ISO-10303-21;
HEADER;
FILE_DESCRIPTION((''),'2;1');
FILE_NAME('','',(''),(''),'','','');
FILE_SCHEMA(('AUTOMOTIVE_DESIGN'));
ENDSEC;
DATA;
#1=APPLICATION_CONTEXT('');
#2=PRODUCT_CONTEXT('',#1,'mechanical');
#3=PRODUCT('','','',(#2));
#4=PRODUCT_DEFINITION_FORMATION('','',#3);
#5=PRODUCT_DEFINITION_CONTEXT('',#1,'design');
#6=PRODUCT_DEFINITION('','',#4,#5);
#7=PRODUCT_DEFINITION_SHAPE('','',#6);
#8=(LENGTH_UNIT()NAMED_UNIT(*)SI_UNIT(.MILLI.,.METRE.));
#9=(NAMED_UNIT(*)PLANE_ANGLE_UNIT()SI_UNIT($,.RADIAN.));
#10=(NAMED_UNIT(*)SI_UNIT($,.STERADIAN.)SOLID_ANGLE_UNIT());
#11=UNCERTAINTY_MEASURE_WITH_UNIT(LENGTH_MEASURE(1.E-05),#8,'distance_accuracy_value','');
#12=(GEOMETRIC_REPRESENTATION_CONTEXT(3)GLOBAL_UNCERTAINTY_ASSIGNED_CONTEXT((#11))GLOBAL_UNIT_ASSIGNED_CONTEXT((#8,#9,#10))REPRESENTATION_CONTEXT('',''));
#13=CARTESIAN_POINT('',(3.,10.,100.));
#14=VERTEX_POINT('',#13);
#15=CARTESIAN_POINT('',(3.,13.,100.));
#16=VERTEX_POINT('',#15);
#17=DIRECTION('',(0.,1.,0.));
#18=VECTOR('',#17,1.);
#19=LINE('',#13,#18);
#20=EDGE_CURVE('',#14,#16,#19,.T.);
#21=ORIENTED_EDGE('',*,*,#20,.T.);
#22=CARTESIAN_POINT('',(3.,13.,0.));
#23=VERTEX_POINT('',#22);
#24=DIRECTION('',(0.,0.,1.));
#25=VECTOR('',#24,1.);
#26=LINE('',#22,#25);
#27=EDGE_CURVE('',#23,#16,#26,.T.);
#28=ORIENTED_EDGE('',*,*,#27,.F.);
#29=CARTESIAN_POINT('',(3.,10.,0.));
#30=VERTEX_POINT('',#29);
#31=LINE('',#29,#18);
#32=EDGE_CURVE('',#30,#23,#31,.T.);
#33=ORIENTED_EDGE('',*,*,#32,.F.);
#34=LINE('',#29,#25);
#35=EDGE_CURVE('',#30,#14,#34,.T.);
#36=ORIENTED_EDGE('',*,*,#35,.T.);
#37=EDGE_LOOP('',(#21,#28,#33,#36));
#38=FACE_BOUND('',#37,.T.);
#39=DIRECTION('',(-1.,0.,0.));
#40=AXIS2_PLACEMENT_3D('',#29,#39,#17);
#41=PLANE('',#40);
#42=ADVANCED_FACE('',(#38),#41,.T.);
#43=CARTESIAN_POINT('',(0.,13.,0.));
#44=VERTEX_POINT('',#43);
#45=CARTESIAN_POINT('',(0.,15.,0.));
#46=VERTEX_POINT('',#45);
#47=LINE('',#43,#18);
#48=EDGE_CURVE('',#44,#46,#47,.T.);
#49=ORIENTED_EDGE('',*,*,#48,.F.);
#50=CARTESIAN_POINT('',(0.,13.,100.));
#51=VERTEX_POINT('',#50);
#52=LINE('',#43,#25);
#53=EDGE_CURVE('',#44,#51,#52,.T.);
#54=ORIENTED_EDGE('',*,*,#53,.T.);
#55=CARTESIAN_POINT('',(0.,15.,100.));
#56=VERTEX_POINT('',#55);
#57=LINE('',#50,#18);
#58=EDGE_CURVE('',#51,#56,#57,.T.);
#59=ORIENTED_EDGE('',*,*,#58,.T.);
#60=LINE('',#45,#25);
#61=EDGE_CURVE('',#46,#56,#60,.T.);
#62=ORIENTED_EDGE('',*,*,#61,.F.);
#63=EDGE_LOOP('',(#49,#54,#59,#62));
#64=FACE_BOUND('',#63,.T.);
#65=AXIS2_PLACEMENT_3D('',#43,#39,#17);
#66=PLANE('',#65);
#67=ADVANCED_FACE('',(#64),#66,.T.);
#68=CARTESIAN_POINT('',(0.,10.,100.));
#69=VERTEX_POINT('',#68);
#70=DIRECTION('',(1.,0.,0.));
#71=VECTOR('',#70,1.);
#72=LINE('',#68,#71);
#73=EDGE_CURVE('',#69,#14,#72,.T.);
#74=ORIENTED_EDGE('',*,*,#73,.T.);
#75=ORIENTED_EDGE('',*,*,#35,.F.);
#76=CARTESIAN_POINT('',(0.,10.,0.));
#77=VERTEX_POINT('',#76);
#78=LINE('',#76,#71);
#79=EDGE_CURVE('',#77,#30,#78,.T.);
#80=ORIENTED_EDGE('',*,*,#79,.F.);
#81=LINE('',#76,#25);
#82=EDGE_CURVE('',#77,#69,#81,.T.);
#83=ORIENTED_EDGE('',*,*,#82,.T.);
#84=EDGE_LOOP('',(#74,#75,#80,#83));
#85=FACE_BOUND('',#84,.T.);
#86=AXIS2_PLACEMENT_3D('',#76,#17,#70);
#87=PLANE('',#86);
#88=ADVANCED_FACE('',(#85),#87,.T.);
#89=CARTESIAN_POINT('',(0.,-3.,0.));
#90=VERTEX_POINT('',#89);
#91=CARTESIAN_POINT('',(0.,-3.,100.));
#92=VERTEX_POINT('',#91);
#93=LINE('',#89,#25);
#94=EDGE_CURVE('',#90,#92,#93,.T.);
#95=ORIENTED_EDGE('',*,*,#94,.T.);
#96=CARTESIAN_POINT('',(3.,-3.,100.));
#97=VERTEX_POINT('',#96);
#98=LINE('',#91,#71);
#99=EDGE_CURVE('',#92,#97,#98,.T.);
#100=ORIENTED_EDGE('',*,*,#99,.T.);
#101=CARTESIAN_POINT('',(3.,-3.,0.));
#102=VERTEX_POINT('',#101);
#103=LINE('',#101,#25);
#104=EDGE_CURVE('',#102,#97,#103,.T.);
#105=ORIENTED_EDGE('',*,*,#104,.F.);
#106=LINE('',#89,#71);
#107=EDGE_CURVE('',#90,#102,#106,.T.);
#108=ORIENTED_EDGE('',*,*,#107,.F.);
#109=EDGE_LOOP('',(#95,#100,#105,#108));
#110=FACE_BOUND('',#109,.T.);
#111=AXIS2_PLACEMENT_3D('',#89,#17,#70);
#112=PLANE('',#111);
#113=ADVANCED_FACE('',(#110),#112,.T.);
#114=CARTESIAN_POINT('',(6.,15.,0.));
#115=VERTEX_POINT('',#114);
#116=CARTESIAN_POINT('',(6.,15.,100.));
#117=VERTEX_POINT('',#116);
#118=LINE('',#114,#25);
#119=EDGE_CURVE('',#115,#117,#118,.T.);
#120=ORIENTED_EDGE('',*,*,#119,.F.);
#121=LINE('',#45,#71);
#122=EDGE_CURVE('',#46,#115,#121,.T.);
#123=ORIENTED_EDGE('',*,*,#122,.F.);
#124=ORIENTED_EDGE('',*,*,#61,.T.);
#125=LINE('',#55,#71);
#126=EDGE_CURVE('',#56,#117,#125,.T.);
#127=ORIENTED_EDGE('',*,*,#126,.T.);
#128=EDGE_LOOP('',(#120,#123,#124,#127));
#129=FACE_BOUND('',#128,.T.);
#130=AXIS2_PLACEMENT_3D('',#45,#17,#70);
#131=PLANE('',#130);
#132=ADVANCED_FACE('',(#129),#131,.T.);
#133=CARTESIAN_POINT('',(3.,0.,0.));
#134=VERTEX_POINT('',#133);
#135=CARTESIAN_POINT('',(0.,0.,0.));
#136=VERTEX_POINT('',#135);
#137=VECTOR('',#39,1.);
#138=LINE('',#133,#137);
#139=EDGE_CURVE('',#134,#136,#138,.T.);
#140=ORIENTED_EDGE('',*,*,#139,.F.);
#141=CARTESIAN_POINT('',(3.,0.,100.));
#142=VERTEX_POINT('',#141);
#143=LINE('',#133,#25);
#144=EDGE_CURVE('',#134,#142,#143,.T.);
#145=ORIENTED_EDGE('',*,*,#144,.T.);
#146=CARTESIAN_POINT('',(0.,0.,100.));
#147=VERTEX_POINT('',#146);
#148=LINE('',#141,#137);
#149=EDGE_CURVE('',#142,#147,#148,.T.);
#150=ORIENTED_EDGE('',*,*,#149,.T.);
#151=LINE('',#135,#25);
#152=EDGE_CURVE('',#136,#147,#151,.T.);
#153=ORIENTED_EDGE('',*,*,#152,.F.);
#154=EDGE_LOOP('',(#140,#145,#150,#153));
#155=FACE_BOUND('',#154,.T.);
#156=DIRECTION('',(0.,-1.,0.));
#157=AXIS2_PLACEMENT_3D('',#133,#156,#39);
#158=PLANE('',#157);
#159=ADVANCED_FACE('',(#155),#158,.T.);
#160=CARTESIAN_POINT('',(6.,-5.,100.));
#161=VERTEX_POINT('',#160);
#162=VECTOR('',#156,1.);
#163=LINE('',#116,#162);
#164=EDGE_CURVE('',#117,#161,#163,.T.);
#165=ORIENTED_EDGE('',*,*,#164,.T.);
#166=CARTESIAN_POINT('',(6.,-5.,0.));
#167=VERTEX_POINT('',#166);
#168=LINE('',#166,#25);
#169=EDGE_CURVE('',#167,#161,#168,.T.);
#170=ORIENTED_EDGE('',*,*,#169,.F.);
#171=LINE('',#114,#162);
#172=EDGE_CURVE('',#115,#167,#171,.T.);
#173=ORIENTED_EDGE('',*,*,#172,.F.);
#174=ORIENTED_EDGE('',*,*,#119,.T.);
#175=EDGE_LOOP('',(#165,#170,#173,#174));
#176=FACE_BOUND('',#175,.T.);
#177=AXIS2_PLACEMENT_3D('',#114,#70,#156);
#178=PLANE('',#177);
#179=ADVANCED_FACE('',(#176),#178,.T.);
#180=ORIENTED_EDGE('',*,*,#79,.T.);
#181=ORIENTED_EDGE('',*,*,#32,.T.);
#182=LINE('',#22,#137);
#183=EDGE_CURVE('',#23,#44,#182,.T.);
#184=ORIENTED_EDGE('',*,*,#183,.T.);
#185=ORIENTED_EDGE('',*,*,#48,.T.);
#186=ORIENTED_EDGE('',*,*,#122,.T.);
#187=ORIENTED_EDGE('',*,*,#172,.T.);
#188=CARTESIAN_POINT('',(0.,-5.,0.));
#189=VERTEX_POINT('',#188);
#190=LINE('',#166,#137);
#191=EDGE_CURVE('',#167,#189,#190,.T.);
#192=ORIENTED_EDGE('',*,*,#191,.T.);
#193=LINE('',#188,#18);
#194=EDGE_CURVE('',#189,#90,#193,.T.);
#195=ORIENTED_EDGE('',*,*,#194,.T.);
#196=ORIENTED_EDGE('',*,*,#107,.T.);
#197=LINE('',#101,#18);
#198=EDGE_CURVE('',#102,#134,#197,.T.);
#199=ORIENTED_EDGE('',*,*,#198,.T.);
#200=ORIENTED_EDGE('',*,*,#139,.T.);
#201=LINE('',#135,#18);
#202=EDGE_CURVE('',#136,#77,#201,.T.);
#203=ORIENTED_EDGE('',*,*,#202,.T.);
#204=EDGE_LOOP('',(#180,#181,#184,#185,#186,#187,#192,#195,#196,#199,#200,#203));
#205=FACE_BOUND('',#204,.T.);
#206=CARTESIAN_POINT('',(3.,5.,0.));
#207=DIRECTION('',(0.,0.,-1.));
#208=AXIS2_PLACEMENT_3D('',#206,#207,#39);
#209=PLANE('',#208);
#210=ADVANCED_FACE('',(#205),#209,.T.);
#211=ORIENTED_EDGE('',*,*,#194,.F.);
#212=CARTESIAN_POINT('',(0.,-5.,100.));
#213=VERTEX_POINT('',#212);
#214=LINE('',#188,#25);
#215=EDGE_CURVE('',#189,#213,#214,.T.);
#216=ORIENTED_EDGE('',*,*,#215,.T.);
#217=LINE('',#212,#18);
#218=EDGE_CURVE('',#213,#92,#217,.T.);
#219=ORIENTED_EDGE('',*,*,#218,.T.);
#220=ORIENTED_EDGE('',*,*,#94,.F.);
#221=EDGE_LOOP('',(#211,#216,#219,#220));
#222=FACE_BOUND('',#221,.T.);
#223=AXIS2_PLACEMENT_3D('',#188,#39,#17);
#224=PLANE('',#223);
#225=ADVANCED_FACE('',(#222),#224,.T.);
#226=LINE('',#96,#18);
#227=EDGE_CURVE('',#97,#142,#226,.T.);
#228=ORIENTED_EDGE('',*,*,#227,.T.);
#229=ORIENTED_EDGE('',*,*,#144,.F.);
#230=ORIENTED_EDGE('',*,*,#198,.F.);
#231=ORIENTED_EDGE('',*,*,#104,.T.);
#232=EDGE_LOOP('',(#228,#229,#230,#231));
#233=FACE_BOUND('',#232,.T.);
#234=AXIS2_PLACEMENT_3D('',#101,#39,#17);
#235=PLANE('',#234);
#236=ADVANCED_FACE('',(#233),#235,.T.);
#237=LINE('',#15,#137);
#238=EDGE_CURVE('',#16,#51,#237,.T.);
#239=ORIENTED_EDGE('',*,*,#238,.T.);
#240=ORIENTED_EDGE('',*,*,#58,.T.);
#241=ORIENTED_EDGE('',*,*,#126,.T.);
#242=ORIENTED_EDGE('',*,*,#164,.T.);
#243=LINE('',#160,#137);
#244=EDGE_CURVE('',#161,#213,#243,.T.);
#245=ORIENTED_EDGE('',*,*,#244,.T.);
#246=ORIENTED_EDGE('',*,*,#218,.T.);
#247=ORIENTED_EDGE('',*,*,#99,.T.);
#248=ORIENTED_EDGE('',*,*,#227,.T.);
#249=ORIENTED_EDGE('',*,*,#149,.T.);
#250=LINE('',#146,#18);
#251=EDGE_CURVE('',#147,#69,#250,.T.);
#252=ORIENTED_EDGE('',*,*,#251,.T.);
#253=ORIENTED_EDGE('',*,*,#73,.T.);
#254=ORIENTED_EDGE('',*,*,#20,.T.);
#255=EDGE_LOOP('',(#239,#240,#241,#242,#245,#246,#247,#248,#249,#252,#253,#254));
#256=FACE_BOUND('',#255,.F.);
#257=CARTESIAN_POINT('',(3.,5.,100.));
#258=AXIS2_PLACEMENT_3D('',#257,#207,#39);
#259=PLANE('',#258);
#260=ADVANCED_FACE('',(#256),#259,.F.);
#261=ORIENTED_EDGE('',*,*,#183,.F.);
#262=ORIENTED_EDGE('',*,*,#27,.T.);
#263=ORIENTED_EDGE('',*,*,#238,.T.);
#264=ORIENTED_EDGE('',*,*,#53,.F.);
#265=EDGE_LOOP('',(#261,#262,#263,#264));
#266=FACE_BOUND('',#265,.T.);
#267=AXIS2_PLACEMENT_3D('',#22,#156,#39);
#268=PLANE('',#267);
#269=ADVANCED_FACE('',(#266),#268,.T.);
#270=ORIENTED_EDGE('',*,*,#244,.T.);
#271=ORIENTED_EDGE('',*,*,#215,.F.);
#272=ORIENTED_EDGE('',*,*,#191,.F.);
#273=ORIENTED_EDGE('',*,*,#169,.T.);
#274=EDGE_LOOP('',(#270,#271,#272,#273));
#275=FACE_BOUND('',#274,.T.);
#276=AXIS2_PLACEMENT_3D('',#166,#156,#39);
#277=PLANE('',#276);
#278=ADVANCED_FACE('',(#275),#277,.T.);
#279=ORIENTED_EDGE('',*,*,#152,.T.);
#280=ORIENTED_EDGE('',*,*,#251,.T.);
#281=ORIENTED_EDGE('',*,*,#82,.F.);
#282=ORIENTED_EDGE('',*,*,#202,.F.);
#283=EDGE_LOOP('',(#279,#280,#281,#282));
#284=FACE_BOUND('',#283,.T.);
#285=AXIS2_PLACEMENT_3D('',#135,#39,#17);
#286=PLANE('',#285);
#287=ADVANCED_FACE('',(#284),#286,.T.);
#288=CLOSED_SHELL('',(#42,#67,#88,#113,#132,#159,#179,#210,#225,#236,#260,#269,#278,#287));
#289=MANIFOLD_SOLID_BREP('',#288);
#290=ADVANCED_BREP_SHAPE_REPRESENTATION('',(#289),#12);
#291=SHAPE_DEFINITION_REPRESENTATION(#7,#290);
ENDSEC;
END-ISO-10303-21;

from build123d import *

# Parameters (mm, degrees)
EXTRUDE_DEPTH = 100


with BuildPart() as part:
    # Sketch → Extrude (new body)
    with BuildSketch(Plane.XY):
        Polygon((0, 0), (0, 10), (3, 10), (3, 13), (0, 13), (0, 15), (6, 15), (6, -5), (0, -5), (0, -3), (3, -3), (3, 0), align=None)
    extrude(amount=EXTRUDE_DEPTH)


solid = part.part
